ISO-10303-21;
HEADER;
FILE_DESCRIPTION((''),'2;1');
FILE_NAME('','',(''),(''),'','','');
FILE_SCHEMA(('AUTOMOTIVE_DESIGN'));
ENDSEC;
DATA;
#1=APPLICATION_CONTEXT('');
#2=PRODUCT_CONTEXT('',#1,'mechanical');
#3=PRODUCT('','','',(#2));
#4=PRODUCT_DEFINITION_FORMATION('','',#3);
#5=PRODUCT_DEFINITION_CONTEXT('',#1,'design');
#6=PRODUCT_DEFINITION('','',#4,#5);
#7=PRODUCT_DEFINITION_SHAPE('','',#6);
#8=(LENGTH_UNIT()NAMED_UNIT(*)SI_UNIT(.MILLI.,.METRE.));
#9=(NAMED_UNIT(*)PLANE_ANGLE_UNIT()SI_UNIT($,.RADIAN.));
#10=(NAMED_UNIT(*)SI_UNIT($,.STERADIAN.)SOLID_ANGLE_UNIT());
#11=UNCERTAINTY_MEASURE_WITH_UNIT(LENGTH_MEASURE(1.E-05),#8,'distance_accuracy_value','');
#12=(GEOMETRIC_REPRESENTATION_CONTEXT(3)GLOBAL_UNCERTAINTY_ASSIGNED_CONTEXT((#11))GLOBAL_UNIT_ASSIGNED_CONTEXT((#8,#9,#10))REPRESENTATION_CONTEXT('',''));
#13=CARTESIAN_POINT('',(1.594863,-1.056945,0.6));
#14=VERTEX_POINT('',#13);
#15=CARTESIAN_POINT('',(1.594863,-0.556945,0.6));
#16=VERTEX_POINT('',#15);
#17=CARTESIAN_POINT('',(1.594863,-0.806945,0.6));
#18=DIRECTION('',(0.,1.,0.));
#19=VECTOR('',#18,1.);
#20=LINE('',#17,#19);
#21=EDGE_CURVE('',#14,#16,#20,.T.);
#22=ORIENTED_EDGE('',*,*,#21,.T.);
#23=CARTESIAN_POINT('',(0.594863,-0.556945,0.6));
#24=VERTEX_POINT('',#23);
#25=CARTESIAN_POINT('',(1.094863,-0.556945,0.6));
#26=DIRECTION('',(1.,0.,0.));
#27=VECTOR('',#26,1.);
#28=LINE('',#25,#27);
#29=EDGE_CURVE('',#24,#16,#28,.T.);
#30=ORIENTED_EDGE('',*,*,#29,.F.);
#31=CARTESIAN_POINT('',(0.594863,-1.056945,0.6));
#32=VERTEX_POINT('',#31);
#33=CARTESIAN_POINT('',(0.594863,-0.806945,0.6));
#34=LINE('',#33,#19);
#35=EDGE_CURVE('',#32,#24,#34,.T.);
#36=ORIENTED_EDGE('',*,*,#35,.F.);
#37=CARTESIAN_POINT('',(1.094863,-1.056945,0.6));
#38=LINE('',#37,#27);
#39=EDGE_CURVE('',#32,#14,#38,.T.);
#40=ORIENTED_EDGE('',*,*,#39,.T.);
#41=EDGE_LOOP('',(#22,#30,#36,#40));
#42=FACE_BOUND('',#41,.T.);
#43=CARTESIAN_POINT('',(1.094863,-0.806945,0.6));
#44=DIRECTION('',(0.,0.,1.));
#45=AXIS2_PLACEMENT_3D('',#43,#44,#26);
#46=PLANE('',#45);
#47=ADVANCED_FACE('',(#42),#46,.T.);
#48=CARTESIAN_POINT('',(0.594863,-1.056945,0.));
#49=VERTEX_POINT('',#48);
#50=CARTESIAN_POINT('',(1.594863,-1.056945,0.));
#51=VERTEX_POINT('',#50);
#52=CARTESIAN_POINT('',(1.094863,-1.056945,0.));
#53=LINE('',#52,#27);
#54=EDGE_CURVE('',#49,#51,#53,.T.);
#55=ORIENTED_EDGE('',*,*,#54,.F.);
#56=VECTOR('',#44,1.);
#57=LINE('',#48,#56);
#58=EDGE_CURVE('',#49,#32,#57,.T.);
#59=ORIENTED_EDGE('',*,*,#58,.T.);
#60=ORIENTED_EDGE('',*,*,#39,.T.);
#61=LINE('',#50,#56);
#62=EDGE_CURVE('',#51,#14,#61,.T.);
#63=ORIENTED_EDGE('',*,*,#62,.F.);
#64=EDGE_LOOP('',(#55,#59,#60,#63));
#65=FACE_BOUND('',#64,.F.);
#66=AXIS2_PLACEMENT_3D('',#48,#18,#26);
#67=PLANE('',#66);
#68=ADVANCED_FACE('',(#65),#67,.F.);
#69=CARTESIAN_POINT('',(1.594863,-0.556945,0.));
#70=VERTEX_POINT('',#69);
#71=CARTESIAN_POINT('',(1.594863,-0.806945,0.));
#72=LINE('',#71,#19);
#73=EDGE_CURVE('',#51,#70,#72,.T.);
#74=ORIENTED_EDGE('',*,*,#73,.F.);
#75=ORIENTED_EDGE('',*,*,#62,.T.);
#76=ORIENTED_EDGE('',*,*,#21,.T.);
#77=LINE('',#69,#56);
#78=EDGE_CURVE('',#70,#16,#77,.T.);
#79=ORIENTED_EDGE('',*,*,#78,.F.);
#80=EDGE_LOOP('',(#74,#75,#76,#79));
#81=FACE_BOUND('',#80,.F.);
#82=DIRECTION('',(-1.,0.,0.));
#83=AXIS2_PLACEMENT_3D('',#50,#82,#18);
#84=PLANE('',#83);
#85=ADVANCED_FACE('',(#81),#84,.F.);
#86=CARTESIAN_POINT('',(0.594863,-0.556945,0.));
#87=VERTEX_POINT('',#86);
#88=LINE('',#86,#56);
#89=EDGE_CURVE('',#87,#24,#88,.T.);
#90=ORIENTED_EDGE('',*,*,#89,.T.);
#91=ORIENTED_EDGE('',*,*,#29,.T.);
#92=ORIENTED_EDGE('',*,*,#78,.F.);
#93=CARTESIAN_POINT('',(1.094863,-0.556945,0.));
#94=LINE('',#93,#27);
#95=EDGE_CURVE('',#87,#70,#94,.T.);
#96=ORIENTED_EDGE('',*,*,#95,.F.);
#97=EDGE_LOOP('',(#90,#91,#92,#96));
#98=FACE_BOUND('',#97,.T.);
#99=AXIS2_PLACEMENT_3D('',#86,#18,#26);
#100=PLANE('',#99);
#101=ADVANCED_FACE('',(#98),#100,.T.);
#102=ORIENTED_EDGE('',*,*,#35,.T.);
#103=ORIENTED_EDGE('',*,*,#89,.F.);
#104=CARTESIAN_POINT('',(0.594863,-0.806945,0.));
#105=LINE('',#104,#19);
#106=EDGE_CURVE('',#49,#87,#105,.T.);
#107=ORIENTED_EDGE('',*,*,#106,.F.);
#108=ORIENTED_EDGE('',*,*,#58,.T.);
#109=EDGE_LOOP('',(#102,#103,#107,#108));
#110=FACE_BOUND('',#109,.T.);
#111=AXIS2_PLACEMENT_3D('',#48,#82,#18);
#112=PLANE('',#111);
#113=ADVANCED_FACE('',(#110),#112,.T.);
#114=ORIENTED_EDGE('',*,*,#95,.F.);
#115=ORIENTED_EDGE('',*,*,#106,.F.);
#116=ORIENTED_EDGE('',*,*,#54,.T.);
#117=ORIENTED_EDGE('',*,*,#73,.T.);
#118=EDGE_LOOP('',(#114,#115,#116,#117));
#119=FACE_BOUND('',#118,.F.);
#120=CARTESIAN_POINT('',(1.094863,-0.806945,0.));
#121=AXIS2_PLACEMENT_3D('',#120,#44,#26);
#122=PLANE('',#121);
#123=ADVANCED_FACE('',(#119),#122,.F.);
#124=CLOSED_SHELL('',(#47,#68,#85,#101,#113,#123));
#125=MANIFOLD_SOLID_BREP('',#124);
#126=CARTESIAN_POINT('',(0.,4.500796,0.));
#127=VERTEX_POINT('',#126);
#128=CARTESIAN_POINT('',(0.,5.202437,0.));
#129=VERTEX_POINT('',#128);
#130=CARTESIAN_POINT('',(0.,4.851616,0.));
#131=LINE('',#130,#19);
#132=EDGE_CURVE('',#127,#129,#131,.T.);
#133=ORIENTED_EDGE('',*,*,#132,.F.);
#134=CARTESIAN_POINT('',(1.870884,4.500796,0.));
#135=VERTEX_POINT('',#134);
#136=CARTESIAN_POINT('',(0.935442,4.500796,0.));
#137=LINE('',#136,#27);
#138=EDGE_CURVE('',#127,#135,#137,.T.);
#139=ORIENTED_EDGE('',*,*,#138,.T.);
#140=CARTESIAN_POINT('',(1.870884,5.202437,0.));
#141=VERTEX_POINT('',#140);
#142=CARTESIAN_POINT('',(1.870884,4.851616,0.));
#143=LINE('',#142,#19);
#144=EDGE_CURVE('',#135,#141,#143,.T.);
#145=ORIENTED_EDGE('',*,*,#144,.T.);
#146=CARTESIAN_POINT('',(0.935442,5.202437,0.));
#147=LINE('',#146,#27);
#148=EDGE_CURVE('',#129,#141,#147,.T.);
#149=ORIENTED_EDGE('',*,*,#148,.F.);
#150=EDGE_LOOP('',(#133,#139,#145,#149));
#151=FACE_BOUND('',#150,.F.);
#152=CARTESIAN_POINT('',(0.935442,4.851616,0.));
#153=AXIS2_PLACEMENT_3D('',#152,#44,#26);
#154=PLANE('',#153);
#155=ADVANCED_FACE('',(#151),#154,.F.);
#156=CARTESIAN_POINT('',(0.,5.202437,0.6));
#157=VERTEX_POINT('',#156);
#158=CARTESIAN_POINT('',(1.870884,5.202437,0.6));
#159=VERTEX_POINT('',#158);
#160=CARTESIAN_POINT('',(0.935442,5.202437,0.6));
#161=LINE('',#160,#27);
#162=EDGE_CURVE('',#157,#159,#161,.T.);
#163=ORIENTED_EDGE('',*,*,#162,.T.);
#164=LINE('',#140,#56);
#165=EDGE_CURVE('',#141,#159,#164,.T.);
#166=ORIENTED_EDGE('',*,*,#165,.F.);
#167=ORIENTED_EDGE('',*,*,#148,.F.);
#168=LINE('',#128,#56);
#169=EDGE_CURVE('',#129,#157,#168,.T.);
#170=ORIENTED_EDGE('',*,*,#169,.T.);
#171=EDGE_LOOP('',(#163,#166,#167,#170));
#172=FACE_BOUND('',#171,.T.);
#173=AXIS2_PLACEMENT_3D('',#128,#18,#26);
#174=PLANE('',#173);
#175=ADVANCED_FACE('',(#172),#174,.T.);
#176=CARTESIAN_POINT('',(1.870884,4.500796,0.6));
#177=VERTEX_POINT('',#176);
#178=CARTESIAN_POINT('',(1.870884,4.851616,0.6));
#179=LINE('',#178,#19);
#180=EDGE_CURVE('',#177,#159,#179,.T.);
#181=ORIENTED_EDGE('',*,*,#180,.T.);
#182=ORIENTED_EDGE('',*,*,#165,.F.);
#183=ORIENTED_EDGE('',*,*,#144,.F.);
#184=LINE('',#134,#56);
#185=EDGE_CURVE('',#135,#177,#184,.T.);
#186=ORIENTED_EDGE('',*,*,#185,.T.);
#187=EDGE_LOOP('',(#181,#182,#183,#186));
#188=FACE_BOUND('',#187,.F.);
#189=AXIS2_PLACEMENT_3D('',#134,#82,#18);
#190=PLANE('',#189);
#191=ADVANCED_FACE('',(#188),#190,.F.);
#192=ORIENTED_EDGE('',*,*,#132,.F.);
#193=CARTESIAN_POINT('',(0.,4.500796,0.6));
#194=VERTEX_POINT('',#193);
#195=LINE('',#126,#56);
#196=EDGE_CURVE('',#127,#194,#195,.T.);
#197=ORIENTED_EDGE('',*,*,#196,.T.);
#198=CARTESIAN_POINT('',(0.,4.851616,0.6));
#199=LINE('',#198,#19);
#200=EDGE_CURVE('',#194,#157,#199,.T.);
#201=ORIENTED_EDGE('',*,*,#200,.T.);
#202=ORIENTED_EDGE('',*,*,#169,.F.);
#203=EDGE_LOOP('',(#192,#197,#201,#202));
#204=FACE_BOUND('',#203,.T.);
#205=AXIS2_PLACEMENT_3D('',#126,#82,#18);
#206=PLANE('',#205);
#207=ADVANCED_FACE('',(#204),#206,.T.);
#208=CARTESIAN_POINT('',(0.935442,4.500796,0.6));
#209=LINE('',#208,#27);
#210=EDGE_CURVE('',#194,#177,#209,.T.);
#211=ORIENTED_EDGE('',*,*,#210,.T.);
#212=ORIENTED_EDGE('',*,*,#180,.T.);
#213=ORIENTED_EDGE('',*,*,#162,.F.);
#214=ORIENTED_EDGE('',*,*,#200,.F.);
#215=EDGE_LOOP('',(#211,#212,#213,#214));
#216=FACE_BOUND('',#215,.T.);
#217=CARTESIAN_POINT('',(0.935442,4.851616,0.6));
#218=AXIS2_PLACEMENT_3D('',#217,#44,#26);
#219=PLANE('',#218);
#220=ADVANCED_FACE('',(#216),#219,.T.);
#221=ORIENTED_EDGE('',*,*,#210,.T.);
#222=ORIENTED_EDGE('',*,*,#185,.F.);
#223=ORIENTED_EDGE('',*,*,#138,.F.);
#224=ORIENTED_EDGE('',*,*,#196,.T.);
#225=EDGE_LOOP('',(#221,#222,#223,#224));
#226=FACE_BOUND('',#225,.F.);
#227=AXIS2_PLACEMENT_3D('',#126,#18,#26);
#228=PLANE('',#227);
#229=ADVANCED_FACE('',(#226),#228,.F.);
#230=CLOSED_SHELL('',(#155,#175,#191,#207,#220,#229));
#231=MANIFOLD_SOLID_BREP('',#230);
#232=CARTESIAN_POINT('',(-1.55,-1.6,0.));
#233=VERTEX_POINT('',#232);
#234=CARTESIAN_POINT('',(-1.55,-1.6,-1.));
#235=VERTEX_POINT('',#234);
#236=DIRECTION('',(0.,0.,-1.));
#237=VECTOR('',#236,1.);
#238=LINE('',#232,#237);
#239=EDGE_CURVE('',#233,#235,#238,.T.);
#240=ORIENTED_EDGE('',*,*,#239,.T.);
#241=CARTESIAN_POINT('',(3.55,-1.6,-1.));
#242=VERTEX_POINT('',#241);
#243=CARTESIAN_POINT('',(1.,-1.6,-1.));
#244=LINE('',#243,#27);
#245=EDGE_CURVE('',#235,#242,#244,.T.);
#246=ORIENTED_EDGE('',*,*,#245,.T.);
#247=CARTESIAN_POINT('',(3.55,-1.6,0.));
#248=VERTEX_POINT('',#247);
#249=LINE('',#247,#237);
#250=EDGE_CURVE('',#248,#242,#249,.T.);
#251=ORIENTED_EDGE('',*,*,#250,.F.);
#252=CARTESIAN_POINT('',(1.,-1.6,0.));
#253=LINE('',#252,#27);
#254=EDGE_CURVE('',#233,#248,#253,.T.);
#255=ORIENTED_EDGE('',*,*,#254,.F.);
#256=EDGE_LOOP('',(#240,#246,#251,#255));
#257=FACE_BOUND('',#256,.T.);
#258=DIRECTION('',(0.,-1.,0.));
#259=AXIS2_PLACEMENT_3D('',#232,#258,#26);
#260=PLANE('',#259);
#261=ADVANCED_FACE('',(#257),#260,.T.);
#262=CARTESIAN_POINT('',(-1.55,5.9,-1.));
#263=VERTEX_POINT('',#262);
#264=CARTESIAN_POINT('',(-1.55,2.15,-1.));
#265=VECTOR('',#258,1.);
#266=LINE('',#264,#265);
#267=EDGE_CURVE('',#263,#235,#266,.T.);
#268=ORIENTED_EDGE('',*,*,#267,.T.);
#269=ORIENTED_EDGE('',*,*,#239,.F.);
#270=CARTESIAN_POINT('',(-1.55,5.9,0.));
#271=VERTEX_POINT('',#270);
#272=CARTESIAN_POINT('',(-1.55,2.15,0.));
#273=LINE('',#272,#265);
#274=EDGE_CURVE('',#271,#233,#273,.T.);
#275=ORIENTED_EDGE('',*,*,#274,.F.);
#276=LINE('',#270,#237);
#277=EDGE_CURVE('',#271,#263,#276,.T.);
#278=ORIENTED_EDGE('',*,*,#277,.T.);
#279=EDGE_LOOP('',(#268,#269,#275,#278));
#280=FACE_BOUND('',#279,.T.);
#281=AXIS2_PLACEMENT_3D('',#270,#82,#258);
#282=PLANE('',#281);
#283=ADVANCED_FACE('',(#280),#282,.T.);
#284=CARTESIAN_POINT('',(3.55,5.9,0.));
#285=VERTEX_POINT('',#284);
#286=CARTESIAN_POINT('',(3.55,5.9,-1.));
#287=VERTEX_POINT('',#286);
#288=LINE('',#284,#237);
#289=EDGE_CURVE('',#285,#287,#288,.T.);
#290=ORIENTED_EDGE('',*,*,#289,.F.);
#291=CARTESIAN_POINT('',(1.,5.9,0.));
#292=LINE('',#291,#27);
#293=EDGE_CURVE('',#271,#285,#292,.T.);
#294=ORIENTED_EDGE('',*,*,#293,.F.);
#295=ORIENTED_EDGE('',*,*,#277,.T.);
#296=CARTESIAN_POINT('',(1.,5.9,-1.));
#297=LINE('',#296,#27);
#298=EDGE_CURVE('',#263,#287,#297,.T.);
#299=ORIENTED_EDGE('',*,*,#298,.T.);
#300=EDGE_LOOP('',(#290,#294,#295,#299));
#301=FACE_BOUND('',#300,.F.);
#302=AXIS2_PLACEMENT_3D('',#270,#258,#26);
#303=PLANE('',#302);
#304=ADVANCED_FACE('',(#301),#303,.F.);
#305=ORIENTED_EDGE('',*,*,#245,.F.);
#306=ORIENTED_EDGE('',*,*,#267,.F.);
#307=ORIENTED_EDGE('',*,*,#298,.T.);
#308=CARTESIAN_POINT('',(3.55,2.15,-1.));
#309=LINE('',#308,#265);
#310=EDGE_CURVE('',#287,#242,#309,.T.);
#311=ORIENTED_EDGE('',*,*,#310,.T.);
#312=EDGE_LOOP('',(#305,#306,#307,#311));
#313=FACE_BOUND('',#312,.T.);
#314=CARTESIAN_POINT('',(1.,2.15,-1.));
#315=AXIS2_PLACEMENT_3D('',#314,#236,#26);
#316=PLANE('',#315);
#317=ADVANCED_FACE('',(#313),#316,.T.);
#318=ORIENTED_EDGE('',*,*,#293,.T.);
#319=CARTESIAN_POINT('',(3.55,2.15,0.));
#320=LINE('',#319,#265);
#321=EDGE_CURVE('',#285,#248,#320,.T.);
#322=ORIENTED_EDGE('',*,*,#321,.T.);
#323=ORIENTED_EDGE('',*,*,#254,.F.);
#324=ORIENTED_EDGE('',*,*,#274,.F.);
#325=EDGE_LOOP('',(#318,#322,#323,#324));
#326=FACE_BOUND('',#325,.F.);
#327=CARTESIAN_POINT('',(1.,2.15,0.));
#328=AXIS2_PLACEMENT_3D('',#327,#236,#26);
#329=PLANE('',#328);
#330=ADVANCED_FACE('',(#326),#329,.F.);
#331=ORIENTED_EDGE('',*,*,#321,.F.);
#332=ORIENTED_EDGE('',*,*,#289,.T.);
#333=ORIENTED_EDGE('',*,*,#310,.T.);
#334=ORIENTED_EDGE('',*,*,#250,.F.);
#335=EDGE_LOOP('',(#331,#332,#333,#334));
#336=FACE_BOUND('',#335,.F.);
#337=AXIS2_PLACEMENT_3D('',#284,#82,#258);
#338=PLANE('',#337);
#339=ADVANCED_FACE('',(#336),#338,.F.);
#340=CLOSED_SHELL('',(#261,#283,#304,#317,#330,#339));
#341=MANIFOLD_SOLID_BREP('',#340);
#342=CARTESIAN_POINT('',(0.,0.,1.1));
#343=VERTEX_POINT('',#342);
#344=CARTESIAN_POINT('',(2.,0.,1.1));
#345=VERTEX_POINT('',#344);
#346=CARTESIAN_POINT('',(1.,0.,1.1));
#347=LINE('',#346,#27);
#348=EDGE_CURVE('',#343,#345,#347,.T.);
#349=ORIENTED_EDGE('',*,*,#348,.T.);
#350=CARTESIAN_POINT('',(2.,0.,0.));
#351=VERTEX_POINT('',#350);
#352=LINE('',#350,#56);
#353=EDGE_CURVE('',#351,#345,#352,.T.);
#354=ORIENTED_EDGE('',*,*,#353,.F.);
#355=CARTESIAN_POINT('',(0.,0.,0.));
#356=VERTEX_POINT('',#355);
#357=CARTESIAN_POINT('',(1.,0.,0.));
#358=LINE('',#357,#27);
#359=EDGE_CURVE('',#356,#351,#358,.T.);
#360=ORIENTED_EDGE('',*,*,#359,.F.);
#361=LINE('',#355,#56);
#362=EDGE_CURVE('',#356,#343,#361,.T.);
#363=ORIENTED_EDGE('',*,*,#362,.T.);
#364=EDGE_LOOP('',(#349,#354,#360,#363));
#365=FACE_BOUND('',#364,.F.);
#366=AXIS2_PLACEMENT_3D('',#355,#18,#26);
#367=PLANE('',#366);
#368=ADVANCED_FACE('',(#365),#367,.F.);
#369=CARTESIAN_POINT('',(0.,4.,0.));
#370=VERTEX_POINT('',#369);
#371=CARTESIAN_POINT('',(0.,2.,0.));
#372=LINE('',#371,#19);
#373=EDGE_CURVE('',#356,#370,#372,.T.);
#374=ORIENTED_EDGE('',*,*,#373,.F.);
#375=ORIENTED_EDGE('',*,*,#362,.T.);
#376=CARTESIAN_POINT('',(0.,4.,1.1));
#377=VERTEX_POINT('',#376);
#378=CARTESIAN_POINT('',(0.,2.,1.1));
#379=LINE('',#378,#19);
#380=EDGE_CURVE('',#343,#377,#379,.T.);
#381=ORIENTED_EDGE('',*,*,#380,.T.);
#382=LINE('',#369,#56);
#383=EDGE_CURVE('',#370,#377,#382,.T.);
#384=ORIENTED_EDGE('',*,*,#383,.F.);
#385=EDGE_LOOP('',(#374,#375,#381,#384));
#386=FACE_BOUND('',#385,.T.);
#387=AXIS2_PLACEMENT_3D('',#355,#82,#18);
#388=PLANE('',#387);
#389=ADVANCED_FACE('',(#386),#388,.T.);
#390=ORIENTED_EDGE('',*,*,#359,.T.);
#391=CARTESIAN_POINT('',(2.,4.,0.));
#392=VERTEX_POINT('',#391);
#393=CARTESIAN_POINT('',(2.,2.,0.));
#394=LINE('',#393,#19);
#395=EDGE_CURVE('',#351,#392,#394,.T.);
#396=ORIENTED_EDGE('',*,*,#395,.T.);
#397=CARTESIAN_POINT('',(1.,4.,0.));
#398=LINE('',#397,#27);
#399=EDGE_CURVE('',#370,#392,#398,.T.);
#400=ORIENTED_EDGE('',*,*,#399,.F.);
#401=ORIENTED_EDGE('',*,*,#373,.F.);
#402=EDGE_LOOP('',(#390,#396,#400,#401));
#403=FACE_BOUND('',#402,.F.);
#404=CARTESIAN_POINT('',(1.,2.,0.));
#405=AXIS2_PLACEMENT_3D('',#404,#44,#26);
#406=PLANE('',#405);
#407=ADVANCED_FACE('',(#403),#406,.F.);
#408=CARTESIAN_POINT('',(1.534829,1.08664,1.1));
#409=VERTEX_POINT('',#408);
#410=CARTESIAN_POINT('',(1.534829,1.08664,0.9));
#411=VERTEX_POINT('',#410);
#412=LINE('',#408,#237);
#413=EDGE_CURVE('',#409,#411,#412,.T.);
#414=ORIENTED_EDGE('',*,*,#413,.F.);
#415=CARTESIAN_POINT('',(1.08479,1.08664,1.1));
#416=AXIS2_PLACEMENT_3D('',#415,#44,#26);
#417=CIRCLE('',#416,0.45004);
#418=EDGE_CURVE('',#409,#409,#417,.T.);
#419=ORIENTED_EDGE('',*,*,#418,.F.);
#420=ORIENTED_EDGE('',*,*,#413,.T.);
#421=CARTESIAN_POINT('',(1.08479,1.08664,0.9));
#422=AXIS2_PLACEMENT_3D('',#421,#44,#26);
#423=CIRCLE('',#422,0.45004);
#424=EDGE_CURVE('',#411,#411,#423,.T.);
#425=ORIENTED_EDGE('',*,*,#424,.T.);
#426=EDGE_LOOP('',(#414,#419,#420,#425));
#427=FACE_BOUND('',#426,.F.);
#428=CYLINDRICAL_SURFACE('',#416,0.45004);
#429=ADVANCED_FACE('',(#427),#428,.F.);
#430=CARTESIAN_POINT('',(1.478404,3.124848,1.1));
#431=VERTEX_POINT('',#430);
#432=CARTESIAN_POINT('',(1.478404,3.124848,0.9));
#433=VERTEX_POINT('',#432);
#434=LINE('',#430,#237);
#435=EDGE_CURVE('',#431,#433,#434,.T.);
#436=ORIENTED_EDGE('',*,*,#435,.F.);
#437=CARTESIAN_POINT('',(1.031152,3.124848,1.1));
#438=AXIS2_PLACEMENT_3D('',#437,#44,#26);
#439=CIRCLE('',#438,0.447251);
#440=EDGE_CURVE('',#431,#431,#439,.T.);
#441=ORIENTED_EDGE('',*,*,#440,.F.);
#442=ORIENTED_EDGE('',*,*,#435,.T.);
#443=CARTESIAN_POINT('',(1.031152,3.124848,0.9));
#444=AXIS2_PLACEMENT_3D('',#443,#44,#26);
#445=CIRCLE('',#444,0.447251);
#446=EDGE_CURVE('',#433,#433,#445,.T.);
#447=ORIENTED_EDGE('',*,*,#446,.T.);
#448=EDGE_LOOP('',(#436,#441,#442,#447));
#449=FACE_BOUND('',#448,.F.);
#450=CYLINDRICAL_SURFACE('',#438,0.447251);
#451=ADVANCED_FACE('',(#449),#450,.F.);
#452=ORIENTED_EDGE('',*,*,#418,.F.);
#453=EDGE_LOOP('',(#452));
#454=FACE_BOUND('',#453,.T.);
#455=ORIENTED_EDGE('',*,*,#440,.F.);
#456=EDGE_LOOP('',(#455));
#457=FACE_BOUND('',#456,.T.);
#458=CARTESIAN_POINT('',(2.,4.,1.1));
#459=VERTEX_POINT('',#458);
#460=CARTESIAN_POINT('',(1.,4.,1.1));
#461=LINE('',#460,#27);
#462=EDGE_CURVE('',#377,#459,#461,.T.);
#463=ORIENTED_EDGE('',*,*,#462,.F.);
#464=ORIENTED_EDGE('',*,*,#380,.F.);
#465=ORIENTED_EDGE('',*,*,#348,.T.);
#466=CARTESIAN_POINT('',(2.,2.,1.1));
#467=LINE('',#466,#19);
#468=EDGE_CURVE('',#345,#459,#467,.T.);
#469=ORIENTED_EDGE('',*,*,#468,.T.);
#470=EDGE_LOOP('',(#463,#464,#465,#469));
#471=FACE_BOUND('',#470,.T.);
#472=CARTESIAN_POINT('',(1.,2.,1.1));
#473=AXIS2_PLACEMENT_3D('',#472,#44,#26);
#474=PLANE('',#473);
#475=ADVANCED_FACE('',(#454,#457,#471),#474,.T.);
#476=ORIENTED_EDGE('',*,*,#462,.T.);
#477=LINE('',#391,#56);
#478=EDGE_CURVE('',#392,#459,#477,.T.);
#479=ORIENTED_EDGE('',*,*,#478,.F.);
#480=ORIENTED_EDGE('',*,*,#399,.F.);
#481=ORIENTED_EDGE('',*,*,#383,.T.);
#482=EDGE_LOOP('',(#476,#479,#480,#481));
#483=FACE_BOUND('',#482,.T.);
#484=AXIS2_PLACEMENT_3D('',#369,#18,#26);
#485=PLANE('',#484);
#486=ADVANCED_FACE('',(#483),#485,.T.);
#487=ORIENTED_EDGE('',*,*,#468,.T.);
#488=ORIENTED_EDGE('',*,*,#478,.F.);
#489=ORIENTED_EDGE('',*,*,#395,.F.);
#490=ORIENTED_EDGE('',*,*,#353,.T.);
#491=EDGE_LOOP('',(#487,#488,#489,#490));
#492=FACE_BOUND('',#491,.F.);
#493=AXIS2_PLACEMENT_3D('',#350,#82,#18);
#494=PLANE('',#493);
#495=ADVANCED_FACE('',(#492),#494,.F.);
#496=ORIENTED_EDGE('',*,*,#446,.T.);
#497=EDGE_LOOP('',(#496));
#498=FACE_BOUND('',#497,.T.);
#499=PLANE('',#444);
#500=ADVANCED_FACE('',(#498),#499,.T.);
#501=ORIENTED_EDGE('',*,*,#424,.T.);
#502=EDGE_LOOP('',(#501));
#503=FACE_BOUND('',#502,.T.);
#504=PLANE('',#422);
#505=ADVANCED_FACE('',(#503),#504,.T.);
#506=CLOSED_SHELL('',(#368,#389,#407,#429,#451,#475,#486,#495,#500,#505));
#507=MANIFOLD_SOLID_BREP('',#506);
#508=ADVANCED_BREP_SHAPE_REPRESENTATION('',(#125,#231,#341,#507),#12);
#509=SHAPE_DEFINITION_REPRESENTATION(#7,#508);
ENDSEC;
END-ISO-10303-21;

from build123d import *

# Parameters (mm, degrees)
F0_W     = 2
F0_H     = 4
F1_DEPTH = 1.1
F2_W     = 5.1
F2_H     = 7.5
F2_W_2   = 2
F2_H_2   = 4
F3_DEPTH = 1
F4_W     = 1
F4_H     = 0.5
F5_DEPTH = 0.6
F6_W     = 1.8708838616
F6_H     = 0.7016416639
F7_DEPTH = 0.6
F8_R     = 0.4472514361
F8_R_2   = 0.4500395483
F9_DEPTH = 0.2


with BuildPart() as f1:
    # F0 (on Top) → F1 (new body)
    with BuildSketch(Plane.XY):
        with Locations((1, 2)):
            Rectangle(F0_W, F0_H)
    extrude(amount=F1_DEPTH)

    # F8 (on face) → F9 (cut)
    with BuildSketch(Plane.XY.offset(1.1)):
        with Locations((1.031152322, 3.1248484738)):
            Circle(F8_R)
        with Locations((1.0847897502, 1.0866399389)):
            Circle(F8_R_2)
    extrude(amount=-F9_DEPTH, mode=Mode.SUBTRACT)


with BuildPart() as f3:
    # F2 (on face) → F3 (new body)
    with BuildSketch(Plane(origin=(0, 0, 0), x_dir=(1, 0, 0), z_dir=(0, 0, -1))):
        with Locations((1, -2.15)):
            Rectangle(F2_W, F2_H)
        with Locations((1, -2)):
            Rectangle(F2_W_2, F2_H_2, mode=Mode.SUBTRACT)
        with Locations((1, -2)):
            Rectangle(F2_W_2, F2_H_2)
    extrude(amount=F3_DEPTH)


with BuildPart() as f5:
    # F4 (on face) → F5 (new body)
    with BuildSketch(Plane.XY):
        with Locations((1.0948632934, -0.8069446901)):
            Rectangle(F4_W, F4_H)
    extrude(amount=F5_DEPTH)


with BuildPart() as f7:
    # F6 (on face) → F7 (new body)
    with BuildSketch(Plane.XY):
        with Locations((0.9354419308, 4.8516164534)):
            Rectangle(F6_W, F6_H)
    extrude(amount=F7_DEPTH)


solid = Compound([f1.part, f3.part, f5.part, f7.part])
